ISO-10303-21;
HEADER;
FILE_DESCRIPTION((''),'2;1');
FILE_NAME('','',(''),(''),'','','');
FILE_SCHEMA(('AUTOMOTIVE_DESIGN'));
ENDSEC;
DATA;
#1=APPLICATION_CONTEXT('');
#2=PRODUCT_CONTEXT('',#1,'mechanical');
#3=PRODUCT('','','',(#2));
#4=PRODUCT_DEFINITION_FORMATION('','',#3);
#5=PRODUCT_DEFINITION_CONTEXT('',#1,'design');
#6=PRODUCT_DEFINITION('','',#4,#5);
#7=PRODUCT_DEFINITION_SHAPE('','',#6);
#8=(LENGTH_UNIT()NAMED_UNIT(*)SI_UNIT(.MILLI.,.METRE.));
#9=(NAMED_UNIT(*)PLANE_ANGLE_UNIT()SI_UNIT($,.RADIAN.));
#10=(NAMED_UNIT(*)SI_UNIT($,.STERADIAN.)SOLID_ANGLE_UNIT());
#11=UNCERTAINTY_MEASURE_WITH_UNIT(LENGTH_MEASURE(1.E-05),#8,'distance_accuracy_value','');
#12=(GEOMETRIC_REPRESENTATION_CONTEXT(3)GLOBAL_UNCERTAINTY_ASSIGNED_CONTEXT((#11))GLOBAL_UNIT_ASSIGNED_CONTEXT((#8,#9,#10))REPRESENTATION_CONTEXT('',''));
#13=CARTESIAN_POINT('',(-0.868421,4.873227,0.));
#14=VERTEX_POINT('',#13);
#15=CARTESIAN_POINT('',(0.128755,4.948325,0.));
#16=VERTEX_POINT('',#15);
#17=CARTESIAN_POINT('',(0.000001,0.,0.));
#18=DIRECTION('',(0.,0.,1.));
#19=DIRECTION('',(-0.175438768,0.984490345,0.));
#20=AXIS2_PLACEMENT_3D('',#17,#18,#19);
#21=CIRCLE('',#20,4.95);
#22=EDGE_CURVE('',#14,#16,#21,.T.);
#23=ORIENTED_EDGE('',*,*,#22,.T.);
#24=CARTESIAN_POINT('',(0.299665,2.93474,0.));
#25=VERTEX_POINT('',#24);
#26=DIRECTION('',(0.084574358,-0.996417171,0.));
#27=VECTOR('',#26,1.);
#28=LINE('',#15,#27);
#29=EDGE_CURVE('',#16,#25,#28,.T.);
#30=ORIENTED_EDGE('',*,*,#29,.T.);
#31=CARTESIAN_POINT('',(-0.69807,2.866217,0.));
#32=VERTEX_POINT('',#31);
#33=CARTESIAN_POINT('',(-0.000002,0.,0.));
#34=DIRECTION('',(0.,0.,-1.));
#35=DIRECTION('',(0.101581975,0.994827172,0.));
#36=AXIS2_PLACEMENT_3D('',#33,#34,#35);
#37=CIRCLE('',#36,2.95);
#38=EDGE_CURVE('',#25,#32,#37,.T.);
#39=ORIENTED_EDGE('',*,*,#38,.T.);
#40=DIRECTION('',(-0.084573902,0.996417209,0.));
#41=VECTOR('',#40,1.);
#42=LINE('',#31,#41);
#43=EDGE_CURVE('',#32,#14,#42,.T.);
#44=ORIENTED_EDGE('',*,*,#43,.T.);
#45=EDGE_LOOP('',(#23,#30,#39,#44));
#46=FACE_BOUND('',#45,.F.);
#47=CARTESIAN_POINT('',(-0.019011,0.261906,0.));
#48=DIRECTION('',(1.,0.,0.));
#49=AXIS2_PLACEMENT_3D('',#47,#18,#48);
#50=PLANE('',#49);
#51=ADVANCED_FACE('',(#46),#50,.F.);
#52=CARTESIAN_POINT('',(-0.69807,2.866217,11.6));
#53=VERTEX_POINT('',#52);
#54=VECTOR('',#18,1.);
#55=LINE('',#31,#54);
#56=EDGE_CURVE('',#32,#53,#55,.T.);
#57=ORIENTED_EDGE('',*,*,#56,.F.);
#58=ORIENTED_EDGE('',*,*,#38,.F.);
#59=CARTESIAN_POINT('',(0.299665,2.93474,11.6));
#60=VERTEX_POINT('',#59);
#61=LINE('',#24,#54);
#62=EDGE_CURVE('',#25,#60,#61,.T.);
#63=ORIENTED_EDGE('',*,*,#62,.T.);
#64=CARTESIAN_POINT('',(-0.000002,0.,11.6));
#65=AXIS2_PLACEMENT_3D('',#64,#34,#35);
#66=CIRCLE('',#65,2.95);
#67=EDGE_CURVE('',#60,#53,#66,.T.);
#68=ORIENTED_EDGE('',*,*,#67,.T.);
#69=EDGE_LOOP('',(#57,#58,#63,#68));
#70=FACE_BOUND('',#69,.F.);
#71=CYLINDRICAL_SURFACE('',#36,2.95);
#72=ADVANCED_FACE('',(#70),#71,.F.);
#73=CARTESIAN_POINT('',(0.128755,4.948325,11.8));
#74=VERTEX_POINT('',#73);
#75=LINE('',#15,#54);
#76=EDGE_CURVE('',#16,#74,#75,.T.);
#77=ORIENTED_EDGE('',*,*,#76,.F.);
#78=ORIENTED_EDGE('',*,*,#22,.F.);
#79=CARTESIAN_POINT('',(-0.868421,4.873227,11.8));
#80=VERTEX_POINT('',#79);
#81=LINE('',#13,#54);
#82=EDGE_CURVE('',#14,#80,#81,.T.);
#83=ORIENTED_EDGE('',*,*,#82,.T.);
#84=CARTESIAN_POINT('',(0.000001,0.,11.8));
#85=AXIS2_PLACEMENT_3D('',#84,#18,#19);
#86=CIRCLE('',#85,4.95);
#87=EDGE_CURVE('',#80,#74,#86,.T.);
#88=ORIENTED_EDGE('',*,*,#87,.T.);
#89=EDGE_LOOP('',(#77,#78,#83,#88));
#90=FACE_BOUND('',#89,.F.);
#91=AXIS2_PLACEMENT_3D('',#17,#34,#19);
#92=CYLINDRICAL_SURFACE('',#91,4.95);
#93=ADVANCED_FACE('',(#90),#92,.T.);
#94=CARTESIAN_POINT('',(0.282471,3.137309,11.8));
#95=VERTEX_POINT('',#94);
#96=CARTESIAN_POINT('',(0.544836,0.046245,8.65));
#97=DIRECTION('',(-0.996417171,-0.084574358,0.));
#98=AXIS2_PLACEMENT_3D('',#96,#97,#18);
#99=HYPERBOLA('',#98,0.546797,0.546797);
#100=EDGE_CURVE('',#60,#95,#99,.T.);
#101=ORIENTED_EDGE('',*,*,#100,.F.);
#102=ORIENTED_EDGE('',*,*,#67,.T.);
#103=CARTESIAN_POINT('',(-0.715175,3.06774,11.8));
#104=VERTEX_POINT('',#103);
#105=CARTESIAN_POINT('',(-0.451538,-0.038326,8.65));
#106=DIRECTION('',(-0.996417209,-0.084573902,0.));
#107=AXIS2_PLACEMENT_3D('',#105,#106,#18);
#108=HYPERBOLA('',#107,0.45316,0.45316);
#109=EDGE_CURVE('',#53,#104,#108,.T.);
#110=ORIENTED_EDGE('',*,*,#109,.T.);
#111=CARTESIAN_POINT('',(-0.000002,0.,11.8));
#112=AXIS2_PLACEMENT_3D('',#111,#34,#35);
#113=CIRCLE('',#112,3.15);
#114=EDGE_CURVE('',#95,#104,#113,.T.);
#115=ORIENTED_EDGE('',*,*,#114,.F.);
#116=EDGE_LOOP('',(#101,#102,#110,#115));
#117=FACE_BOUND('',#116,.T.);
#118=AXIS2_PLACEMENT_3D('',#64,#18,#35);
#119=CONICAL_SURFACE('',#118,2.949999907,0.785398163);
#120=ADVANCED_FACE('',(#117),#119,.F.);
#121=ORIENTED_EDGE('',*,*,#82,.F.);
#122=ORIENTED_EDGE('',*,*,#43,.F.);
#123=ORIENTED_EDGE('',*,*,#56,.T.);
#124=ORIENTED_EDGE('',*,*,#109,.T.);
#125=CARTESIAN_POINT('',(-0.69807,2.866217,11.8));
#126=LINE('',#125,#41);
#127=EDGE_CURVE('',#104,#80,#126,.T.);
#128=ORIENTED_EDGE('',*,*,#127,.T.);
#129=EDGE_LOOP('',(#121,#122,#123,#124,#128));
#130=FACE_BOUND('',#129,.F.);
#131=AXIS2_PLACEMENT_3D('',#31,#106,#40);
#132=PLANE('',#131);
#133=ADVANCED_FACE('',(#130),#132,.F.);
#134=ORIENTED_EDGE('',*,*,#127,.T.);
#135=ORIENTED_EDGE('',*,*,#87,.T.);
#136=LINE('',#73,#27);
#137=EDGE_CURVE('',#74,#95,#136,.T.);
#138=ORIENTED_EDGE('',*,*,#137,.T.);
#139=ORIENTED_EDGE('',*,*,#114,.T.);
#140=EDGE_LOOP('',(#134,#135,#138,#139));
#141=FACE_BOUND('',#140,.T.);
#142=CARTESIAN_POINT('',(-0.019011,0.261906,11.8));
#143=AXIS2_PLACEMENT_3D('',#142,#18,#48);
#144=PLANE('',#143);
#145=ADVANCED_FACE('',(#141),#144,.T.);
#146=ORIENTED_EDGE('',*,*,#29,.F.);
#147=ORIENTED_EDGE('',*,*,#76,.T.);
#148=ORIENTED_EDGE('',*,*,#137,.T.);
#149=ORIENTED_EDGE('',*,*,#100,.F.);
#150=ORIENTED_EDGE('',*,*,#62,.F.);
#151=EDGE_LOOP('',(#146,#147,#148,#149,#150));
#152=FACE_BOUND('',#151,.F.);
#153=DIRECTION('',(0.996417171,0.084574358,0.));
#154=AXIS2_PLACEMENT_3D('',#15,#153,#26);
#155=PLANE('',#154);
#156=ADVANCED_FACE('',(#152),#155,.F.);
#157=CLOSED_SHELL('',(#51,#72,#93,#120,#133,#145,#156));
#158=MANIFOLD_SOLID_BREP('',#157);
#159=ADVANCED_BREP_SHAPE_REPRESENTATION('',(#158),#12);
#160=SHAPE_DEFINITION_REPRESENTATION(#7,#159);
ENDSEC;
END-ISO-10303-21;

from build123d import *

# Parameters (mm, degrees)
F1_DEPTH = 11.8
F2_SIZE  = 0.2


with BuildPart() as f1:
    # F0 (on Top) → F1 (new body)
    with BuildSketch(Plane.XY):
        with BuildLine():
            Line((-0.69807, 2.866217), (-0.868421, 4.873227))
            ThreePointArc((-0.868421, 4.873227), (0.371734, -4.936022), (0.128755, 4.948325))
            Line((0.128755, 4.948325), (0.299665, 2.93474))
            ThreePointArc((0.299665, 2.93474), (0.202128, -2.943067), (-0.69807, 2.866217))
        make_face()
    extrude(amount=F1_DEPTH)

    # F2
    f2_edges = [f1.edges().sort_by_distance(p)[0] for p in [
        (0.202128, -2.943067, 11.8),
    ]]
    chamfer(f2_edges, length=F2_SIZE)


solid = f1.part
